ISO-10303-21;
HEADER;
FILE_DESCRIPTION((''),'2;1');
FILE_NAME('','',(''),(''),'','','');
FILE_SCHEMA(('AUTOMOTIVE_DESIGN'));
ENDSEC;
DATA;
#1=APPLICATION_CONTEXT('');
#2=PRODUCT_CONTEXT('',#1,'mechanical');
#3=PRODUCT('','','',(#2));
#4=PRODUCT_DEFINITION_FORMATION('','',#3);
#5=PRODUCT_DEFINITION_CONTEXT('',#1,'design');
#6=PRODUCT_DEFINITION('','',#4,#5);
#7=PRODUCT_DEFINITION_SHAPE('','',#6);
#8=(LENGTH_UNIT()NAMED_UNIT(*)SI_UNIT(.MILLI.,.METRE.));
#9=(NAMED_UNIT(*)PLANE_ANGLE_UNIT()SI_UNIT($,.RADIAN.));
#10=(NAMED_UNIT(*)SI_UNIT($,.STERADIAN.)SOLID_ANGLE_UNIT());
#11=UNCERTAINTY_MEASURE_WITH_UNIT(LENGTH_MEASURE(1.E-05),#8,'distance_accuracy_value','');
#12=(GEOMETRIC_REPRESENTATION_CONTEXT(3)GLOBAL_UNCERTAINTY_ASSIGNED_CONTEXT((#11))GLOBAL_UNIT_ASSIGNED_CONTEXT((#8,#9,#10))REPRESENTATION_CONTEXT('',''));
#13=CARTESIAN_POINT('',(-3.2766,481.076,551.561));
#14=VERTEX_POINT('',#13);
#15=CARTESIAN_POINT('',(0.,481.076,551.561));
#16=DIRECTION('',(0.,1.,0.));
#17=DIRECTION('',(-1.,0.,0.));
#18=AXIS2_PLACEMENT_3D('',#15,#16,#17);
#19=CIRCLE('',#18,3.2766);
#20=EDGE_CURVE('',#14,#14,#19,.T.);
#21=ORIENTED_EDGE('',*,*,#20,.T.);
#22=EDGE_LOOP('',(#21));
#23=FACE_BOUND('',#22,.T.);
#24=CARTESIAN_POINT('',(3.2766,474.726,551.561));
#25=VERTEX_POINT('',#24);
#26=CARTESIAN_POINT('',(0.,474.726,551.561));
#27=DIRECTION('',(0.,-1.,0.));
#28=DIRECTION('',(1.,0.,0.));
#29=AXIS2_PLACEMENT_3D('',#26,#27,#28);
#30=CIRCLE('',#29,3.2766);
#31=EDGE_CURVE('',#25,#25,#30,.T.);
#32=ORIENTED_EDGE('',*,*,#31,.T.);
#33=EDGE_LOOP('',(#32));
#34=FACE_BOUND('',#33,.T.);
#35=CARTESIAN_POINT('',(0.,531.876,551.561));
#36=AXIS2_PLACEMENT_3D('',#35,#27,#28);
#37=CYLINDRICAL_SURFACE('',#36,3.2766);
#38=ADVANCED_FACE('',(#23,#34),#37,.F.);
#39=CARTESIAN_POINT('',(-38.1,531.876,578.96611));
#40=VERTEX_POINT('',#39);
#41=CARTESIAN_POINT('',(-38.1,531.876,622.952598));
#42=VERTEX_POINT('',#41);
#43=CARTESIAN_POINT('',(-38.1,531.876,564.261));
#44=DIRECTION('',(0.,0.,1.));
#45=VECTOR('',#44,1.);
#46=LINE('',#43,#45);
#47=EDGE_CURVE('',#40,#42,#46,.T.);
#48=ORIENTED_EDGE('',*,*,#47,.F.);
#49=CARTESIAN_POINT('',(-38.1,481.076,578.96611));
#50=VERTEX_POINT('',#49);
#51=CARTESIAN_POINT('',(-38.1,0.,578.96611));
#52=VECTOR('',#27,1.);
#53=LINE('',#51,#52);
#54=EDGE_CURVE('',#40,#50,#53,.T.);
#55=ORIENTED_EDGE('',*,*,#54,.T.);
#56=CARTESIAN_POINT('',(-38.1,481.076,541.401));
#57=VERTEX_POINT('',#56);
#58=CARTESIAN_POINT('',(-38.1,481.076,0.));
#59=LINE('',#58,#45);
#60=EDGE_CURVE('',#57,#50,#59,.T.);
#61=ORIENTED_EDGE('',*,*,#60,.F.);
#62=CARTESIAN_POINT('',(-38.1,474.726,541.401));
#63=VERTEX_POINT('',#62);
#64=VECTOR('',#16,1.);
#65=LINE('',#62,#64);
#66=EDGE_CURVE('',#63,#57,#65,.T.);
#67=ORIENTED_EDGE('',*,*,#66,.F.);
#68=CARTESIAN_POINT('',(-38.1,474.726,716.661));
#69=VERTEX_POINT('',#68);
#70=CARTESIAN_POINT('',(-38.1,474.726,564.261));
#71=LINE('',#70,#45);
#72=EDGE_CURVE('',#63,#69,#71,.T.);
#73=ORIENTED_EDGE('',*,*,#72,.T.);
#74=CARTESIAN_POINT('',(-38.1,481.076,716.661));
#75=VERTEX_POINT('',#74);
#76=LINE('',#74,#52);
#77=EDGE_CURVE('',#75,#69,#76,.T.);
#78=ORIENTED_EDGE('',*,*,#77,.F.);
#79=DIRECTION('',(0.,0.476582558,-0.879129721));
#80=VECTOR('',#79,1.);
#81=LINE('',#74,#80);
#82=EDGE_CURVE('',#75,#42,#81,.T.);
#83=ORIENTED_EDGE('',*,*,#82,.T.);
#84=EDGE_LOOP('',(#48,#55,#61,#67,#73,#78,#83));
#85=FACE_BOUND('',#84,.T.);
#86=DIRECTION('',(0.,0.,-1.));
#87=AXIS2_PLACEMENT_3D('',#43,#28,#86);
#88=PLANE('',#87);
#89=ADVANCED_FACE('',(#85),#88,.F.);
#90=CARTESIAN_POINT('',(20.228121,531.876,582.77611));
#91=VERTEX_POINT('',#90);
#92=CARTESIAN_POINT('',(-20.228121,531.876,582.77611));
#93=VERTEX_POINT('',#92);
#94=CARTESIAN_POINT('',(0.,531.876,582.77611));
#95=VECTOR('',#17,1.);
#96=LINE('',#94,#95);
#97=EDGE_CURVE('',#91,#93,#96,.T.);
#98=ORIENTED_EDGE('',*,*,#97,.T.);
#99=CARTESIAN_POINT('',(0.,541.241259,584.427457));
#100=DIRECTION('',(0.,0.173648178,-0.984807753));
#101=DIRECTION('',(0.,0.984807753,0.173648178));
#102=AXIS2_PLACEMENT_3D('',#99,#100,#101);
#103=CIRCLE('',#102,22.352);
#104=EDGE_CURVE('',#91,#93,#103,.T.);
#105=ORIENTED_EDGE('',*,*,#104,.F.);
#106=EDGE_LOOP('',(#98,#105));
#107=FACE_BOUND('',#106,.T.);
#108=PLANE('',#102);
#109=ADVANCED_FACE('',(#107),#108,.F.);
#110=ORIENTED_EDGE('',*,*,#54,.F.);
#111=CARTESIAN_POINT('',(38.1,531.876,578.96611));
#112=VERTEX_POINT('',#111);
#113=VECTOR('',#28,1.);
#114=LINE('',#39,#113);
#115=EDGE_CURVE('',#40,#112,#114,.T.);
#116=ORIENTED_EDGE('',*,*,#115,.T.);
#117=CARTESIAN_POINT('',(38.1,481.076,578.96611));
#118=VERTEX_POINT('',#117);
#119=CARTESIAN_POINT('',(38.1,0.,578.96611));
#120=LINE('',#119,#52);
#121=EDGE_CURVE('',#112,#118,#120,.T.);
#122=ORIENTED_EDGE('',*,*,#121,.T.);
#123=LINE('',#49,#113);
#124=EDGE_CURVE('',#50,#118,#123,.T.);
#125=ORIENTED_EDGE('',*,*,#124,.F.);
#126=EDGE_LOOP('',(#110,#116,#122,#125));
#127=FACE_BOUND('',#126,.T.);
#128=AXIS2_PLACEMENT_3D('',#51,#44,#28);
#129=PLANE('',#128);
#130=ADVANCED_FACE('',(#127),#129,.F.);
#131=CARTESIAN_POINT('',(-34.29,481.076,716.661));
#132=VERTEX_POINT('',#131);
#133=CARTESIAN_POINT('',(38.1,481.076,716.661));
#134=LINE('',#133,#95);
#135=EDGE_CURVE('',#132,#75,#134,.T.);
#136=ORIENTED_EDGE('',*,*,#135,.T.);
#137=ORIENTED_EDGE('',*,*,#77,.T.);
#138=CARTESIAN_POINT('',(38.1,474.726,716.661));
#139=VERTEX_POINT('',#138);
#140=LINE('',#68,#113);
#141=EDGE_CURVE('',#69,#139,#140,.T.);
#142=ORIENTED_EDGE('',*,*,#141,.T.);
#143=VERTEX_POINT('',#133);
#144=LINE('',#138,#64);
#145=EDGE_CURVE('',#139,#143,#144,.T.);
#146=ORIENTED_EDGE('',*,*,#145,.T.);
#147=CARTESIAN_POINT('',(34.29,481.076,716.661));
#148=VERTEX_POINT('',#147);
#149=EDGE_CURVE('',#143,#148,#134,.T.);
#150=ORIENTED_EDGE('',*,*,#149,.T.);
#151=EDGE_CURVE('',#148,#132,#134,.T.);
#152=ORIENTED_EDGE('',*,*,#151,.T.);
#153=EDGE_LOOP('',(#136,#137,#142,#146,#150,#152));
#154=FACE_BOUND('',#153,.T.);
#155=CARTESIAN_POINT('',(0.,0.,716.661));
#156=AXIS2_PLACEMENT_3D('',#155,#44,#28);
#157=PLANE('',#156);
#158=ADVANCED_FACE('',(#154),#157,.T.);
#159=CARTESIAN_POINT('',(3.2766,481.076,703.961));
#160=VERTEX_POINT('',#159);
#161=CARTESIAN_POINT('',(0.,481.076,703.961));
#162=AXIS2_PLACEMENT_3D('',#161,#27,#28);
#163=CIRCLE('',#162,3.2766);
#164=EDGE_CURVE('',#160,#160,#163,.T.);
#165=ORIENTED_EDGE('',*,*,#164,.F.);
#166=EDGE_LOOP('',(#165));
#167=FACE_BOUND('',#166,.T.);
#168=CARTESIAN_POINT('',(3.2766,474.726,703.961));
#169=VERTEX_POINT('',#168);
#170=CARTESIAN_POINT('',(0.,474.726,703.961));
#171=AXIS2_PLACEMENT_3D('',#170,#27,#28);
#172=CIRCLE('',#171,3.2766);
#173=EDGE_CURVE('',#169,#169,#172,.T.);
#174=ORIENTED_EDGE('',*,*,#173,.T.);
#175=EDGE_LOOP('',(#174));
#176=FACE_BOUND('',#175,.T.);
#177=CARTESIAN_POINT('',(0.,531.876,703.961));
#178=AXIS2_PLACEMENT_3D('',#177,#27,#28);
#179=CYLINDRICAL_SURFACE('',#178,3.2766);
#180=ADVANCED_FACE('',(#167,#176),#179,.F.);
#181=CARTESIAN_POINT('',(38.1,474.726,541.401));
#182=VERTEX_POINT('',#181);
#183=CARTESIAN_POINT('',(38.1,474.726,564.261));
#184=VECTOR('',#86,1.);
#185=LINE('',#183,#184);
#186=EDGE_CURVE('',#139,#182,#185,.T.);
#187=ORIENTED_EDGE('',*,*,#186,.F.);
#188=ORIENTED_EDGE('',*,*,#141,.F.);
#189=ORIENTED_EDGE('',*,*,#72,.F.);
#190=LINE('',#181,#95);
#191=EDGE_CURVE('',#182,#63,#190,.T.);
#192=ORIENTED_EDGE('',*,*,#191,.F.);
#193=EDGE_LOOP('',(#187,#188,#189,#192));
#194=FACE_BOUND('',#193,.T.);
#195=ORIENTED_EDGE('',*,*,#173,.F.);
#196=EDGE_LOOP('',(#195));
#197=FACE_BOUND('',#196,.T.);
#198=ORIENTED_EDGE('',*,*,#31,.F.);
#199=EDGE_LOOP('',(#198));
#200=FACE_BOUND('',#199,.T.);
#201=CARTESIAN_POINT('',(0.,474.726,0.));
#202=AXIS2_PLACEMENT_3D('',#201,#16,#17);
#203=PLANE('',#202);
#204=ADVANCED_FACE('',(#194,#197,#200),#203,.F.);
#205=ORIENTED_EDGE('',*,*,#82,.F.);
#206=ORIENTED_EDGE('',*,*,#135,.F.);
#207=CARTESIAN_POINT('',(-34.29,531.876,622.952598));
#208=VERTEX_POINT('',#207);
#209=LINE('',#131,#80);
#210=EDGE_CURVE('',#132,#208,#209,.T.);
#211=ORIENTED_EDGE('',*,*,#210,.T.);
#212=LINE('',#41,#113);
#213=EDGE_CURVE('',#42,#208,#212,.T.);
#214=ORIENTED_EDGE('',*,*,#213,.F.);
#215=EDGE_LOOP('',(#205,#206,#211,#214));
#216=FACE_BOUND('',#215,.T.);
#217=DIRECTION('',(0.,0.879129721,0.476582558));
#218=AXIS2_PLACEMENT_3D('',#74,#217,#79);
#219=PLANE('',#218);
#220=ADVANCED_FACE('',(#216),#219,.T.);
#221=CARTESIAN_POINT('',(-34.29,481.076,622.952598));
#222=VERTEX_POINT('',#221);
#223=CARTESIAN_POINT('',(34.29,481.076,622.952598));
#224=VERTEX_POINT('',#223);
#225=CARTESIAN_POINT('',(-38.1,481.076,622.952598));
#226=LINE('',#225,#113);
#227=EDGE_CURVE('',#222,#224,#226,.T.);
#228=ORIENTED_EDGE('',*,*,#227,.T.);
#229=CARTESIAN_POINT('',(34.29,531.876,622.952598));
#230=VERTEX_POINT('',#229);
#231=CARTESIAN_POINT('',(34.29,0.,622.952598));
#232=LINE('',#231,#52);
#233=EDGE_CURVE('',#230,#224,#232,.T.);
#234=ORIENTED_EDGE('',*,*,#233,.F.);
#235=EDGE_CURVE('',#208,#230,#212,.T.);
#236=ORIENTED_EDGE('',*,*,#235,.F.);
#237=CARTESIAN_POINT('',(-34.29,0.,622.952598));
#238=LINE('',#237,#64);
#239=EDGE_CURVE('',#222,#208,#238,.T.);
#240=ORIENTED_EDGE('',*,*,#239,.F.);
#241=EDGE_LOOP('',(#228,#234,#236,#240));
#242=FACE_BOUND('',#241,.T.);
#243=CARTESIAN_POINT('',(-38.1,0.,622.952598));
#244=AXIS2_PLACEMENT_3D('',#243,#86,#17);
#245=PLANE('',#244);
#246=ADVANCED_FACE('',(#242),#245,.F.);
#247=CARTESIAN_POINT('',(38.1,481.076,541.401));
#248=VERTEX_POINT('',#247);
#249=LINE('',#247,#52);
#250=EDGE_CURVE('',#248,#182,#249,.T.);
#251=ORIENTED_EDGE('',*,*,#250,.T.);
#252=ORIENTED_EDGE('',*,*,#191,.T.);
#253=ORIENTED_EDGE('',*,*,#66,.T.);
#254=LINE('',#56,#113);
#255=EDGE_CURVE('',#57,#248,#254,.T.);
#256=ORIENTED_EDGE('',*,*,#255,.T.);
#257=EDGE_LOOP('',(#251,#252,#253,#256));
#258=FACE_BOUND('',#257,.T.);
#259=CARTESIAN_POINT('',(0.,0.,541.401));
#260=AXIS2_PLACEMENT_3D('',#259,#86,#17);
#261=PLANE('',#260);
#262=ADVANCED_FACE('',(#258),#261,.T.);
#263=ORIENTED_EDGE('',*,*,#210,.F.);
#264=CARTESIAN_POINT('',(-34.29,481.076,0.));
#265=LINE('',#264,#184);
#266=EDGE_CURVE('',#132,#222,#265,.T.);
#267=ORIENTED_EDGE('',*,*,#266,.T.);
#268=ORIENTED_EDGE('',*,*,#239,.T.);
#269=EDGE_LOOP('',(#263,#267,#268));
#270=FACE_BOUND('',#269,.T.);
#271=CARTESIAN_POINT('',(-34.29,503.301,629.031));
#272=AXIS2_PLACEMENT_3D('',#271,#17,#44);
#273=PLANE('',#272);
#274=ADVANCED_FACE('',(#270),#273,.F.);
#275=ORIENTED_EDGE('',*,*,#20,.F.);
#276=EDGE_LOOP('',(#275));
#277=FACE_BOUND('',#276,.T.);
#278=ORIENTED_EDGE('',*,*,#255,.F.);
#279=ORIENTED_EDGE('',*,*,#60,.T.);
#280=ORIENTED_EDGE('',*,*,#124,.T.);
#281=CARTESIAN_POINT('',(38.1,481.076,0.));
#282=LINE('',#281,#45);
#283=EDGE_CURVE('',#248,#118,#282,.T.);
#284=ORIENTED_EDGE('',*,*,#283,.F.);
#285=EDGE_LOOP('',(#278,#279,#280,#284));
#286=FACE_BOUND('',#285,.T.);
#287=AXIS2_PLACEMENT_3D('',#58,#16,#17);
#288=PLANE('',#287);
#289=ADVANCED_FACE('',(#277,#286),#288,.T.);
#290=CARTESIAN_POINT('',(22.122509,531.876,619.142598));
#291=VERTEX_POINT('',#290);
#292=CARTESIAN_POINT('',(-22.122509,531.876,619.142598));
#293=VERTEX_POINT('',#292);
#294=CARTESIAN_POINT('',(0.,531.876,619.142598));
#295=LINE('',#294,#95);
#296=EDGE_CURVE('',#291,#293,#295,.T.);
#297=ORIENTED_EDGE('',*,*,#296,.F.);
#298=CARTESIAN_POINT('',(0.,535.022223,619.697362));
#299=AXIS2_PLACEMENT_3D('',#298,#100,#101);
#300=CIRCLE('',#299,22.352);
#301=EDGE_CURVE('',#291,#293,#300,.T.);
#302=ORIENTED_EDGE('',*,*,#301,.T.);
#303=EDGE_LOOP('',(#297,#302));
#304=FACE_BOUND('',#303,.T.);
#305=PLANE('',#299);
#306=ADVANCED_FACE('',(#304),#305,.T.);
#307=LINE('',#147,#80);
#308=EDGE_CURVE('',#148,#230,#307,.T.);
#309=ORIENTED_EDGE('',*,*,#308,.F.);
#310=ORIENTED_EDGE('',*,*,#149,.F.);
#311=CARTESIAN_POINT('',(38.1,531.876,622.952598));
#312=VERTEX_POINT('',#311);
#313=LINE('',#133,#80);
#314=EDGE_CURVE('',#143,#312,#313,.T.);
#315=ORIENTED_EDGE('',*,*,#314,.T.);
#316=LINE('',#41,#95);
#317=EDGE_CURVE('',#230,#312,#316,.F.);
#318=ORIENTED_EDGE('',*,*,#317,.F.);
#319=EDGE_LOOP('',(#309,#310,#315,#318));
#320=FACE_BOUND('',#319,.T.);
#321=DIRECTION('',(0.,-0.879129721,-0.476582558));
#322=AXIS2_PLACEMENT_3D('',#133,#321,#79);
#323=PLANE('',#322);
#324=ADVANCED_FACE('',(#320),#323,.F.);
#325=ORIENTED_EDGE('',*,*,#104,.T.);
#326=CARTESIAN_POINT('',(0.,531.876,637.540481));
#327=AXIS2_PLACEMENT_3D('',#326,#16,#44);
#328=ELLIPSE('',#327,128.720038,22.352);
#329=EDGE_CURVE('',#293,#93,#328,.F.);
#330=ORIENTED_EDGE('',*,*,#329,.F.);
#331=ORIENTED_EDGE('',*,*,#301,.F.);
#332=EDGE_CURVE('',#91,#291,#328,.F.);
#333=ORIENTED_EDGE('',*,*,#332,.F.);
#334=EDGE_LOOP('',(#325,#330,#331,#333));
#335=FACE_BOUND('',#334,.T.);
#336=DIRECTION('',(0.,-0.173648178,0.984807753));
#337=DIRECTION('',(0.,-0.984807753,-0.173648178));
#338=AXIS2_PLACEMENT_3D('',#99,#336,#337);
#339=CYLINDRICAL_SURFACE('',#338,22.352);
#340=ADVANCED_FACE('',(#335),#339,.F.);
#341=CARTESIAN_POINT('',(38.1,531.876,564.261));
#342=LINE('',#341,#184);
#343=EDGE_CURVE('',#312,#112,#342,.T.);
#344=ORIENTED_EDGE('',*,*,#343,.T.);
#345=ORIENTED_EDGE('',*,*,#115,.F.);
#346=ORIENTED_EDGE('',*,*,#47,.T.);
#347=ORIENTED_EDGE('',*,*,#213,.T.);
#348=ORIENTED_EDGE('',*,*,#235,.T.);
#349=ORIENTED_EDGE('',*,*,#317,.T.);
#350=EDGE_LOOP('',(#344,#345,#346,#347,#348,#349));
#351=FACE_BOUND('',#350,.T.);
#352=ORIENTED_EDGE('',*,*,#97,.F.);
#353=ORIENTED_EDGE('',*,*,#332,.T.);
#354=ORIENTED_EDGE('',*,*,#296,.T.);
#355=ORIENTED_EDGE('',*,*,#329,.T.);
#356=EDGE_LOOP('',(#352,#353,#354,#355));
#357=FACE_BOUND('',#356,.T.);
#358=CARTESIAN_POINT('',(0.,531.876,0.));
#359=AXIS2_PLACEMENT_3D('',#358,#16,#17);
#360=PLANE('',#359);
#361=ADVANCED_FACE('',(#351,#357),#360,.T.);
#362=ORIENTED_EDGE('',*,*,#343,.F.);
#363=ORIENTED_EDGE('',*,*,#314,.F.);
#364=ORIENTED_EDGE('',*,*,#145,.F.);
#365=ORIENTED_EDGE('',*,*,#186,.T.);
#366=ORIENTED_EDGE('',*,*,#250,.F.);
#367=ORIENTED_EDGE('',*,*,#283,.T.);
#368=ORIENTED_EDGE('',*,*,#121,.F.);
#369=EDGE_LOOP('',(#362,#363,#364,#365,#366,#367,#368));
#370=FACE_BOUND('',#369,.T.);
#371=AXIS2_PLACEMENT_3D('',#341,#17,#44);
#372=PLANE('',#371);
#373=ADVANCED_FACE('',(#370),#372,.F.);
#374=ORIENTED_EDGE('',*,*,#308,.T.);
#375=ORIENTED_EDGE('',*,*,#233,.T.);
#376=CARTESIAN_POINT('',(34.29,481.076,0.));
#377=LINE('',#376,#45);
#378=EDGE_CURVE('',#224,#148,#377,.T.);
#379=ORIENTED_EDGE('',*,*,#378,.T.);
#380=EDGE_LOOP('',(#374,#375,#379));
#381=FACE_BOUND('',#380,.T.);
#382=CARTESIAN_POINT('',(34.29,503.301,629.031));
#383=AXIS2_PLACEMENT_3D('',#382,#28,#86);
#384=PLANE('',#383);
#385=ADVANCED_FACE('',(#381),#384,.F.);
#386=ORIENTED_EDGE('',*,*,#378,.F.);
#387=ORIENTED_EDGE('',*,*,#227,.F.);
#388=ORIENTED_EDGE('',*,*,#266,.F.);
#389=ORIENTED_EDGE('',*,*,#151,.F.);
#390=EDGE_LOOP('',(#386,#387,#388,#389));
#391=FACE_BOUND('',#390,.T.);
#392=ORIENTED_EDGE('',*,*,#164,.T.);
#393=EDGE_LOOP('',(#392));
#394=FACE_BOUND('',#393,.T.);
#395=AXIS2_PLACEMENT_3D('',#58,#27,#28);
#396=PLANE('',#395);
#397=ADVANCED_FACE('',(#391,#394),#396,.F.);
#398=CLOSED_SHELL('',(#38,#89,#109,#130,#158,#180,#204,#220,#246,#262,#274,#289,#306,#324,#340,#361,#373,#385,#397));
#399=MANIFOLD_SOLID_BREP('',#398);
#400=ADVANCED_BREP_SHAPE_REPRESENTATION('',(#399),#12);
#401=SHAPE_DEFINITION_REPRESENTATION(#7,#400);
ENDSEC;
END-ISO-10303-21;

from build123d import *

# Parameters (mm, degrees)
SKETCH7_W                = 76.2
SKETCH7_H                = 88.9
BOSS_EXTRUDE1_DEPTH      = 57.15
BOSS_EXTRUDE2_DEPTH      = 0.127
BOSS_EXTRUDE2_DEPTH_BACK = 35.687
SKETCH8_R                = 22.352
SKETCH10_W               = 30.208401757
SKETCH10_H               = 50.8
SKETCH10_W_2             = 14.705109565
CUT_EXTRUDE2_DEPTH       = 846.764631146
SKETCH11_W               = 76.2
SKETCH11_H               = 6.35
BOSS_EXTRUDE3_DEPTH      = 22.86
SKETCH14_W               = 76.2
SKETCH14_H               = 6.35
BOSS_EXTRUDE4_DEPTH      = 63.5
SKETCH12_R               = 3.2766
CUT_EXTRUDE3_DEPTH       = 720.944943326
RIB5_REACH               = 897.713
SKETCH17_WALL_W          = 1900.017933472
SKETCH17_WALL_H          = 3.81


with BuildPart() as part:
    # Sketch7 → Boss-Extrude1 (new body)
    with BuildSketch(Plane(origin=(0, 474.726, 0), x_dir=(1, 0, 0), z_dir=(0, 1, 0))):
        with Locations((0, -608.711)):
            Rectangle(SKETCH7_W, SKETCH7_H)
    extrude(amount=BOSS_EXTRUDE1_DEPTH)


with BuildPart() as body_2:
    # Sketch8 → Boss-Extrude2 (new, two sides: drawn at the far end of the back side and taken through both)
    with BuildSketch(Plane(origin=(0, -83.644613765, 474.372177356), x_dir=(-1, 0, 0), z_dir=(2.9130205458871294e-15, 0.17364817766694987, -0.9848077530122047)).offset(-BOSS_EXTRUDE2_DEPTH_BACK)):
        with Locations((0, 634.503351151)):
            Circle(SKETCH8_R)
    extrude(amount=BOSS_EXTRUDE2_DEPTH + BOSS_EXTRUDE2_DEPTH_BACK)


with BuildPart() as part_1:
    add(part.part)

    # Combine1: cut body 2
    add(body_2.part, mode=Mode.SUBTRACT)

    # Sketch10 → Cut-Extrude2 (cut, through all)
    with BuildSketch(Plane(origin=(38.1, 0, 0), x_dir=(0, 0, -1), z_dir=(1, 0, 0))):
        with Locations((-638.056799122, 506.476)):
            Rectangle(SKETCH10_W, SKETCH10_H)
        with Locations((-571.613554783, 506.476)):
            Rectangle(SKETCH10_W_2, SKETCH10_H)
    extrude(amount=-CUT_EXTRUDE2_DEPTH, mode=Mode.SUBTRACT)

    # Sketch11 → Boss-Extrude3 (add)
    with BuildSketch(Plane(origin=(0, 0, 564.261), x_dir=(-1, 0, 0), z_dir=(0, 0, -1))):
        with Locations((0, 477.901)):
            Rectangle(SKETCH11_W, SKETCH11_H)
    extrude(amount=BOSS_EXTRUDE3_DEPTH)

    # Sketch14 → Boss-Extrude4 (add)
    with BuildSketch(Plane.XY.offset(653.161)):
        with Locations((0, 477.901)):
            Rectangle(SKETCH14_W, SKETCH14_H)
    extrude(amount=BOSS_EXTRUDE4_DEPTH)

    # Sketch12 → Cut-Extrude3 (cut, through all)
    with BuildSketch(Plane.XZ.offset(-474.726)):
        with Locations((0, 703.961)):
            Circle(SKETCH12_R)
        with Locations((0, 551.561)):
            Circle(SKETCH12_R)
    extrude(amount=-CUT_EXTRUDE3_DEPTH, mode=Mode.SUBTRACT)

    # Sketch17 wall → Rib5 (add, up to next)
    with BuildSketch(Plane(origin=(38.1, 506.476, 669.806799122), x_dir=(0, 0.476582557871, -0.879129720538), z_dir=(0, 0.879129720538, 0.476582557871)), mode=Mode.PRIVATE) as rib5_sk1:
        with Locations((0, 1.905)):
            Rectangle(SKETCH17_WALL_W, SKETCH17_WALL_H)
    rib5_tool1 = extrude(rib5_sk1.sketch, amount=-RIB5_REACH, mode=Mode.PRIVATE) - part_1.part
    rib5 = rib5_tool1.solids().sort_by_distance((38.1, 506.476, 669.806799122))[0]
    add(rib5)

    # Mirror1: Rib5 across plane
    add(rib5.mirror(Plane(origin=(0, 0, 0), x_dir=(0, 0, 1), z_dir=(1, 0, 0))))


solid = part_1.part
